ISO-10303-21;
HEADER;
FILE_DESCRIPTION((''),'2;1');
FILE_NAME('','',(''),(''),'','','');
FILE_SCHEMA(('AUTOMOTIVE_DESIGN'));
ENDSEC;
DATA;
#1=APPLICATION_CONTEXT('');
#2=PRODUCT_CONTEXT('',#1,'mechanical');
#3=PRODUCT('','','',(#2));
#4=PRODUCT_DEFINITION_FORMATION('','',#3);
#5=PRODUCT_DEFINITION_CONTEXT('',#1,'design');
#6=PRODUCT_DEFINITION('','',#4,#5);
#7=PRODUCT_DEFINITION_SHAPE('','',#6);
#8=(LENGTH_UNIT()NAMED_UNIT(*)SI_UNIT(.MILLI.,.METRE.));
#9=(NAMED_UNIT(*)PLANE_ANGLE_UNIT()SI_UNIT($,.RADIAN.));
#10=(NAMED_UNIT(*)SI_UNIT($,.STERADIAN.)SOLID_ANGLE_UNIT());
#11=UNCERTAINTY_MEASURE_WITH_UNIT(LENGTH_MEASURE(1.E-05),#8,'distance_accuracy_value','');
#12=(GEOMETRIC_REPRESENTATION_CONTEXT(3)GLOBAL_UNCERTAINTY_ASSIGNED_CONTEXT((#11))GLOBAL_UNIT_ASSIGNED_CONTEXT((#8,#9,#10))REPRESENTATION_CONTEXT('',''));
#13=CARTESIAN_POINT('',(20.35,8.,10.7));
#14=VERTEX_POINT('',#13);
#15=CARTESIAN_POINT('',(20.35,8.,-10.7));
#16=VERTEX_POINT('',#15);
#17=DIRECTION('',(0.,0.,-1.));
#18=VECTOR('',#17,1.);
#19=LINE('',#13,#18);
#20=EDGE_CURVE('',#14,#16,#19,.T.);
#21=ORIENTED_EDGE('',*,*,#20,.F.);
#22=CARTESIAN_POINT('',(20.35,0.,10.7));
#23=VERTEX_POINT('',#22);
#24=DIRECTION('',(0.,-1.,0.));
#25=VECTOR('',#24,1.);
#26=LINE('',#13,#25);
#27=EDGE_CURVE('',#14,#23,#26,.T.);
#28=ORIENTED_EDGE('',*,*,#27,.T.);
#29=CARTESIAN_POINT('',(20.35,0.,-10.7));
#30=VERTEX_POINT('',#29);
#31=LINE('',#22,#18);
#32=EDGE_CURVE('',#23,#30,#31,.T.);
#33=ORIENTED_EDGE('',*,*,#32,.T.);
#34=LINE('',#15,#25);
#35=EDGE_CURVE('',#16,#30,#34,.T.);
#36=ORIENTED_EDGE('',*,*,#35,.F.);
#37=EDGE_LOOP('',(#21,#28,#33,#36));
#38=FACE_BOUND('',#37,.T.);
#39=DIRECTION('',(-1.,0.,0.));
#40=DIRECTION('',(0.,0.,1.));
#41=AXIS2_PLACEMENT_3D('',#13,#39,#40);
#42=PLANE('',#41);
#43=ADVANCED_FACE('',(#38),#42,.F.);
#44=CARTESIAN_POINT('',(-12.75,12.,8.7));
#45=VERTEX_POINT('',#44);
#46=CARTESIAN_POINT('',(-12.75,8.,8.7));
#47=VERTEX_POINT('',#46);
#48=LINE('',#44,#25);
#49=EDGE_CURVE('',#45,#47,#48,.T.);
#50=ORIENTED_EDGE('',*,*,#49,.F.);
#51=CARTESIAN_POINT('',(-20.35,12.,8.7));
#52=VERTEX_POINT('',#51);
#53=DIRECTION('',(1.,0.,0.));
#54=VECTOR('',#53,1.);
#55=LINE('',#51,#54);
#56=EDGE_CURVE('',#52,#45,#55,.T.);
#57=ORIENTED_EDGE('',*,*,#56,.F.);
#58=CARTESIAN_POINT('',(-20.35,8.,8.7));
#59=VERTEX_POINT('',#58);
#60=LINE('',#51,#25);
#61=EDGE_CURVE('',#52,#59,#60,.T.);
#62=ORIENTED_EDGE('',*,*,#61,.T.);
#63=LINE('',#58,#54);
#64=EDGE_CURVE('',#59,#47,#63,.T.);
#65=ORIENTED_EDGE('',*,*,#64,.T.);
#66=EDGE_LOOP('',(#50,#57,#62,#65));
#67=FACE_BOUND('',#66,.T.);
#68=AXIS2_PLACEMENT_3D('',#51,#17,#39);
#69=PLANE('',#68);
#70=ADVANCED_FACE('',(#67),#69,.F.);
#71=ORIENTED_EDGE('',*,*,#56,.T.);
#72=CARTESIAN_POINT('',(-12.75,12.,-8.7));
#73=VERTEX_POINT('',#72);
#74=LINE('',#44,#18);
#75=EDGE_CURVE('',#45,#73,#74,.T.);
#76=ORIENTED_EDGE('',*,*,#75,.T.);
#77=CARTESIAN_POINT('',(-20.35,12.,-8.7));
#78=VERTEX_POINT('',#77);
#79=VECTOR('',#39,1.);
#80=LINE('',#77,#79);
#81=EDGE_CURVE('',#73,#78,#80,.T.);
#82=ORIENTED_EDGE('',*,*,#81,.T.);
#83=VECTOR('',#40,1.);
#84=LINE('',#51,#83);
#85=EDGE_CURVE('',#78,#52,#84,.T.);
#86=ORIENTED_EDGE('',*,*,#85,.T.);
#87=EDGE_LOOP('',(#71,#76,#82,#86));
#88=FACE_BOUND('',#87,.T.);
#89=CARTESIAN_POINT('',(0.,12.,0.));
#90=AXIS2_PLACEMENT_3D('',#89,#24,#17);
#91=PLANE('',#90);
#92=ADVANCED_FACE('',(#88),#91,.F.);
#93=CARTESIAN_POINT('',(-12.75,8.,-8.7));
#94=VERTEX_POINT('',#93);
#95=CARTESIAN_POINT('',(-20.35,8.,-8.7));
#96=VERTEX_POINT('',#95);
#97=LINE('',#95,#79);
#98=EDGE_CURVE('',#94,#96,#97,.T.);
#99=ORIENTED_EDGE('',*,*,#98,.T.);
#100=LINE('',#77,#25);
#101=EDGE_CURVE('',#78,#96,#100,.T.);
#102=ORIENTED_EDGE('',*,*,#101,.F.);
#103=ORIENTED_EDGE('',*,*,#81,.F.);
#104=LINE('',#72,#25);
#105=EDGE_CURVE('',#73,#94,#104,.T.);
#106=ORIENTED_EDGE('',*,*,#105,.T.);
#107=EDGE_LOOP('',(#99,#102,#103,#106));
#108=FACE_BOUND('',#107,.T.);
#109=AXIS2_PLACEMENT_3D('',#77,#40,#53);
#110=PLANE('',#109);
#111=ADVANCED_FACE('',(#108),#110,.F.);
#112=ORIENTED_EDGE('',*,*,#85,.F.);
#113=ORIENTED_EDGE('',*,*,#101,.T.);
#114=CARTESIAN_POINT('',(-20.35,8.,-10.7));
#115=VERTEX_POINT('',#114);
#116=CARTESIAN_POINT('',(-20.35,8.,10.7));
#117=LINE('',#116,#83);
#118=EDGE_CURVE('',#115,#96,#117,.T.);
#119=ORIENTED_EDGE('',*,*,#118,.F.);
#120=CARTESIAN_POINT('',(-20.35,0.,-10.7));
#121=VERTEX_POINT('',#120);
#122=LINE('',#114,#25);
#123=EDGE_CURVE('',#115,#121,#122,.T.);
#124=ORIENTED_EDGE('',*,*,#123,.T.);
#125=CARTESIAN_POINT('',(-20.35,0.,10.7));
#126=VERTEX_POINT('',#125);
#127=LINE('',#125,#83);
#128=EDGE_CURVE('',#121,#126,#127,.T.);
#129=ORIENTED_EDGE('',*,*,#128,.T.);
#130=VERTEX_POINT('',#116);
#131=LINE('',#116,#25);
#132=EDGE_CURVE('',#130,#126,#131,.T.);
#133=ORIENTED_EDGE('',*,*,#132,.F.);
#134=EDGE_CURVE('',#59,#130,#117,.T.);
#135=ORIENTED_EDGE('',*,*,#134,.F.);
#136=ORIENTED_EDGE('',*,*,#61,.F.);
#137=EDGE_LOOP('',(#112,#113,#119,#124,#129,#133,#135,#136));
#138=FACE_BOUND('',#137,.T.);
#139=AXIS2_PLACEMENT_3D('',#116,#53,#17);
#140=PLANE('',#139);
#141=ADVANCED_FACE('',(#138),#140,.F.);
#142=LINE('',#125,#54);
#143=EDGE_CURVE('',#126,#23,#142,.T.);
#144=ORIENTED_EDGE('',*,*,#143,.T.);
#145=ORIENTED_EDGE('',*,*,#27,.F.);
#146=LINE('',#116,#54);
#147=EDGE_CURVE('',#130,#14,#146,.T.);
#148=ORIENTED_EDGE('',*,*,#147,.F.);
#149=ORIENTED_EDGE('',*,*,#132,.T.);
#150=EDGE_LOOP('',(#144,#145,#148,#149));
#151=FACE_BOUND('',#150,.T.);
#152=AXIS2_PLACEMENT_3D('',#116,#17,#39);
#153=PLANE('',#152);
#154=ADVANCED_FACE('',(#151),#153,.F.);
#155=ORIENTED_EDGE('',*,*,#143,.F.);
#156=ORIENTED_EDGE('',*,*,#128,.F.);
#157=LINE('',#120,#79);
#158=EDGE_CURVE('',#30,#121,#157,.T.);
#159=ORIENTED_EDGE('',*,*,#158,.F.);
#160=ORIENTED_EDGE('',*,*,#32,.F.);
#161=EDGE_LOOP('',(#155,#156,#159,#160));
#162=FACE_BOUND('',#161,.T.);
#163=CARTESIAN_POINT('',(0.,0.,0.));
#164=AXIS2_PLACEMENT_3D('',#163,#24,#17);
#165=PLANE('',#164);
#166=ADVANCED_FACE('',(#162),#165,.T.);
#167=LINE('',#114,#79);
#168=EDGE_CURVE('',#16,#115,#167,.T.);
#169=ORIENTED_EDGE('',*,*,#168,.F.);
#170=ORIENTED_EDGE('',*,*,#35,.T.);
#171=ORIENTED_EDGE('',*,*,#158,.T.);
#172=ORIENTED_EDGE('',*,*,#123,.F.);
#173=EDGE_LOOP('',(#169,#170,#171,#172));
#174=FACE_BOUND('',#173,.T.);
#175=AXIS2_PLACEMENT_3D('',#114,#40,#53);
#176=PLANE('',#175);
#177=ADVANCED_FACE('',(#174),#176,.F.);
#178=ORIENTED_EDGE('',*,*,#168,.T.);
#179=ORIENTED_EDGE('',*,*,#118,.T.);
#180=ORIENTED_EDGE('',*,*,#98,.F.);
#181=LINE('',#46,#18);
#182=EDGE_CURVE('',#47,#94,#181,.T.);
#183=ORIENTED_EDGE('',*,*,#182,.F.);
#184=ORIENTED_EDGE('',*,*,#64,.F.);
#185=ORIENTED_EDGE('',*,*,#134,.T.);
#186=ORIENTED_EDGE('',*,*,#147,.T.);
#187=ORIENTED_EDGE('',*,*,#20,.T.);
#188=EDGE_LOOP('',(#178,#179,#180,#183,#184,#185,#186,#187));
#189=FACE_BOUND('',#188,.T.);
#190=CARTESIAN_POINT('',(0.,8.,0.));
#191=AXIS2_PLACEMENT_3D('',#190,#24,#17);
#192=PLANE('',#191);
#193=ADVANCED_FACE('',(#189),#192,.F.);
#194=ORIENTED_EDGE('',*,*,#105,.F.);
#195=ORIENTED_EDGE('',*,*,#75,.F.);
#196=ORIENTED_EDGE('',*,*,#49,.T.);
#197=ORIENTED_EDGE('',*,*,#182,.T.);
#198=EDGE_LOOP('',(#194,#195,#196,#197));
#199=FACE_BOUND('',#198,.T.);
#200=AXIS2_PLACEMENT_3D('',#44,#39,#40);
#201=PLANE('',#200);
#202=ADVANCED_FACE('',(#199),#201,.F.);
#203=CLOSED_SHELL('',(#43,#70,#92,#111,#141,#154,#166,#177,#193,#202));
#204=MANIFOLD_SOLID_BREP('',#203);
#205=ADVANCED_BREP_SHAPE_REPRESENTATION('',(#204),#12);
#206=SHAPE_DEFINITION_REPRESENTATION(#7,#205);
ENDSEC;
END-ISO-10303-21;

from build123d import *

# Parameters (mm, degrees)
SKETCH1_W           = 40.7
SKETCH1_H           = 21.4
BOSS_EXTRUDE1_DEPTH = 8
SKETCH2_W           = 7.6
SKETCH2_H           = 17.4
BOSS_EXTRUDE2_DEPTH = 4


with BuildPart() as part:
    # Sketch1 → Boss-Extrude1 (new body)
    with BuildSketch(Plane(origin=(0, 0, 0), x_dir=(1, 0, 0), z_dir=(0, 1, 0))):
        Rectangle(SKETCH1_W, SKETCH1_H)
    extrude(amount=BOSS_EXTRUDE1_DEPTH)

    # Sketch2 → Boss-Extrude2 (add)
    with BuildSketch(Plane(origin=(0, 8, 0), x_dir=(1, 0, 0), z_dir=(0, 1, 0))):
        with Locations((-16.55, 0)):
            Rectangle(SKETCH2_W, SKETCH2_H)
    extrude(amount=BOSS_EXTRUDE2_DEPTH)


solid = part.part
